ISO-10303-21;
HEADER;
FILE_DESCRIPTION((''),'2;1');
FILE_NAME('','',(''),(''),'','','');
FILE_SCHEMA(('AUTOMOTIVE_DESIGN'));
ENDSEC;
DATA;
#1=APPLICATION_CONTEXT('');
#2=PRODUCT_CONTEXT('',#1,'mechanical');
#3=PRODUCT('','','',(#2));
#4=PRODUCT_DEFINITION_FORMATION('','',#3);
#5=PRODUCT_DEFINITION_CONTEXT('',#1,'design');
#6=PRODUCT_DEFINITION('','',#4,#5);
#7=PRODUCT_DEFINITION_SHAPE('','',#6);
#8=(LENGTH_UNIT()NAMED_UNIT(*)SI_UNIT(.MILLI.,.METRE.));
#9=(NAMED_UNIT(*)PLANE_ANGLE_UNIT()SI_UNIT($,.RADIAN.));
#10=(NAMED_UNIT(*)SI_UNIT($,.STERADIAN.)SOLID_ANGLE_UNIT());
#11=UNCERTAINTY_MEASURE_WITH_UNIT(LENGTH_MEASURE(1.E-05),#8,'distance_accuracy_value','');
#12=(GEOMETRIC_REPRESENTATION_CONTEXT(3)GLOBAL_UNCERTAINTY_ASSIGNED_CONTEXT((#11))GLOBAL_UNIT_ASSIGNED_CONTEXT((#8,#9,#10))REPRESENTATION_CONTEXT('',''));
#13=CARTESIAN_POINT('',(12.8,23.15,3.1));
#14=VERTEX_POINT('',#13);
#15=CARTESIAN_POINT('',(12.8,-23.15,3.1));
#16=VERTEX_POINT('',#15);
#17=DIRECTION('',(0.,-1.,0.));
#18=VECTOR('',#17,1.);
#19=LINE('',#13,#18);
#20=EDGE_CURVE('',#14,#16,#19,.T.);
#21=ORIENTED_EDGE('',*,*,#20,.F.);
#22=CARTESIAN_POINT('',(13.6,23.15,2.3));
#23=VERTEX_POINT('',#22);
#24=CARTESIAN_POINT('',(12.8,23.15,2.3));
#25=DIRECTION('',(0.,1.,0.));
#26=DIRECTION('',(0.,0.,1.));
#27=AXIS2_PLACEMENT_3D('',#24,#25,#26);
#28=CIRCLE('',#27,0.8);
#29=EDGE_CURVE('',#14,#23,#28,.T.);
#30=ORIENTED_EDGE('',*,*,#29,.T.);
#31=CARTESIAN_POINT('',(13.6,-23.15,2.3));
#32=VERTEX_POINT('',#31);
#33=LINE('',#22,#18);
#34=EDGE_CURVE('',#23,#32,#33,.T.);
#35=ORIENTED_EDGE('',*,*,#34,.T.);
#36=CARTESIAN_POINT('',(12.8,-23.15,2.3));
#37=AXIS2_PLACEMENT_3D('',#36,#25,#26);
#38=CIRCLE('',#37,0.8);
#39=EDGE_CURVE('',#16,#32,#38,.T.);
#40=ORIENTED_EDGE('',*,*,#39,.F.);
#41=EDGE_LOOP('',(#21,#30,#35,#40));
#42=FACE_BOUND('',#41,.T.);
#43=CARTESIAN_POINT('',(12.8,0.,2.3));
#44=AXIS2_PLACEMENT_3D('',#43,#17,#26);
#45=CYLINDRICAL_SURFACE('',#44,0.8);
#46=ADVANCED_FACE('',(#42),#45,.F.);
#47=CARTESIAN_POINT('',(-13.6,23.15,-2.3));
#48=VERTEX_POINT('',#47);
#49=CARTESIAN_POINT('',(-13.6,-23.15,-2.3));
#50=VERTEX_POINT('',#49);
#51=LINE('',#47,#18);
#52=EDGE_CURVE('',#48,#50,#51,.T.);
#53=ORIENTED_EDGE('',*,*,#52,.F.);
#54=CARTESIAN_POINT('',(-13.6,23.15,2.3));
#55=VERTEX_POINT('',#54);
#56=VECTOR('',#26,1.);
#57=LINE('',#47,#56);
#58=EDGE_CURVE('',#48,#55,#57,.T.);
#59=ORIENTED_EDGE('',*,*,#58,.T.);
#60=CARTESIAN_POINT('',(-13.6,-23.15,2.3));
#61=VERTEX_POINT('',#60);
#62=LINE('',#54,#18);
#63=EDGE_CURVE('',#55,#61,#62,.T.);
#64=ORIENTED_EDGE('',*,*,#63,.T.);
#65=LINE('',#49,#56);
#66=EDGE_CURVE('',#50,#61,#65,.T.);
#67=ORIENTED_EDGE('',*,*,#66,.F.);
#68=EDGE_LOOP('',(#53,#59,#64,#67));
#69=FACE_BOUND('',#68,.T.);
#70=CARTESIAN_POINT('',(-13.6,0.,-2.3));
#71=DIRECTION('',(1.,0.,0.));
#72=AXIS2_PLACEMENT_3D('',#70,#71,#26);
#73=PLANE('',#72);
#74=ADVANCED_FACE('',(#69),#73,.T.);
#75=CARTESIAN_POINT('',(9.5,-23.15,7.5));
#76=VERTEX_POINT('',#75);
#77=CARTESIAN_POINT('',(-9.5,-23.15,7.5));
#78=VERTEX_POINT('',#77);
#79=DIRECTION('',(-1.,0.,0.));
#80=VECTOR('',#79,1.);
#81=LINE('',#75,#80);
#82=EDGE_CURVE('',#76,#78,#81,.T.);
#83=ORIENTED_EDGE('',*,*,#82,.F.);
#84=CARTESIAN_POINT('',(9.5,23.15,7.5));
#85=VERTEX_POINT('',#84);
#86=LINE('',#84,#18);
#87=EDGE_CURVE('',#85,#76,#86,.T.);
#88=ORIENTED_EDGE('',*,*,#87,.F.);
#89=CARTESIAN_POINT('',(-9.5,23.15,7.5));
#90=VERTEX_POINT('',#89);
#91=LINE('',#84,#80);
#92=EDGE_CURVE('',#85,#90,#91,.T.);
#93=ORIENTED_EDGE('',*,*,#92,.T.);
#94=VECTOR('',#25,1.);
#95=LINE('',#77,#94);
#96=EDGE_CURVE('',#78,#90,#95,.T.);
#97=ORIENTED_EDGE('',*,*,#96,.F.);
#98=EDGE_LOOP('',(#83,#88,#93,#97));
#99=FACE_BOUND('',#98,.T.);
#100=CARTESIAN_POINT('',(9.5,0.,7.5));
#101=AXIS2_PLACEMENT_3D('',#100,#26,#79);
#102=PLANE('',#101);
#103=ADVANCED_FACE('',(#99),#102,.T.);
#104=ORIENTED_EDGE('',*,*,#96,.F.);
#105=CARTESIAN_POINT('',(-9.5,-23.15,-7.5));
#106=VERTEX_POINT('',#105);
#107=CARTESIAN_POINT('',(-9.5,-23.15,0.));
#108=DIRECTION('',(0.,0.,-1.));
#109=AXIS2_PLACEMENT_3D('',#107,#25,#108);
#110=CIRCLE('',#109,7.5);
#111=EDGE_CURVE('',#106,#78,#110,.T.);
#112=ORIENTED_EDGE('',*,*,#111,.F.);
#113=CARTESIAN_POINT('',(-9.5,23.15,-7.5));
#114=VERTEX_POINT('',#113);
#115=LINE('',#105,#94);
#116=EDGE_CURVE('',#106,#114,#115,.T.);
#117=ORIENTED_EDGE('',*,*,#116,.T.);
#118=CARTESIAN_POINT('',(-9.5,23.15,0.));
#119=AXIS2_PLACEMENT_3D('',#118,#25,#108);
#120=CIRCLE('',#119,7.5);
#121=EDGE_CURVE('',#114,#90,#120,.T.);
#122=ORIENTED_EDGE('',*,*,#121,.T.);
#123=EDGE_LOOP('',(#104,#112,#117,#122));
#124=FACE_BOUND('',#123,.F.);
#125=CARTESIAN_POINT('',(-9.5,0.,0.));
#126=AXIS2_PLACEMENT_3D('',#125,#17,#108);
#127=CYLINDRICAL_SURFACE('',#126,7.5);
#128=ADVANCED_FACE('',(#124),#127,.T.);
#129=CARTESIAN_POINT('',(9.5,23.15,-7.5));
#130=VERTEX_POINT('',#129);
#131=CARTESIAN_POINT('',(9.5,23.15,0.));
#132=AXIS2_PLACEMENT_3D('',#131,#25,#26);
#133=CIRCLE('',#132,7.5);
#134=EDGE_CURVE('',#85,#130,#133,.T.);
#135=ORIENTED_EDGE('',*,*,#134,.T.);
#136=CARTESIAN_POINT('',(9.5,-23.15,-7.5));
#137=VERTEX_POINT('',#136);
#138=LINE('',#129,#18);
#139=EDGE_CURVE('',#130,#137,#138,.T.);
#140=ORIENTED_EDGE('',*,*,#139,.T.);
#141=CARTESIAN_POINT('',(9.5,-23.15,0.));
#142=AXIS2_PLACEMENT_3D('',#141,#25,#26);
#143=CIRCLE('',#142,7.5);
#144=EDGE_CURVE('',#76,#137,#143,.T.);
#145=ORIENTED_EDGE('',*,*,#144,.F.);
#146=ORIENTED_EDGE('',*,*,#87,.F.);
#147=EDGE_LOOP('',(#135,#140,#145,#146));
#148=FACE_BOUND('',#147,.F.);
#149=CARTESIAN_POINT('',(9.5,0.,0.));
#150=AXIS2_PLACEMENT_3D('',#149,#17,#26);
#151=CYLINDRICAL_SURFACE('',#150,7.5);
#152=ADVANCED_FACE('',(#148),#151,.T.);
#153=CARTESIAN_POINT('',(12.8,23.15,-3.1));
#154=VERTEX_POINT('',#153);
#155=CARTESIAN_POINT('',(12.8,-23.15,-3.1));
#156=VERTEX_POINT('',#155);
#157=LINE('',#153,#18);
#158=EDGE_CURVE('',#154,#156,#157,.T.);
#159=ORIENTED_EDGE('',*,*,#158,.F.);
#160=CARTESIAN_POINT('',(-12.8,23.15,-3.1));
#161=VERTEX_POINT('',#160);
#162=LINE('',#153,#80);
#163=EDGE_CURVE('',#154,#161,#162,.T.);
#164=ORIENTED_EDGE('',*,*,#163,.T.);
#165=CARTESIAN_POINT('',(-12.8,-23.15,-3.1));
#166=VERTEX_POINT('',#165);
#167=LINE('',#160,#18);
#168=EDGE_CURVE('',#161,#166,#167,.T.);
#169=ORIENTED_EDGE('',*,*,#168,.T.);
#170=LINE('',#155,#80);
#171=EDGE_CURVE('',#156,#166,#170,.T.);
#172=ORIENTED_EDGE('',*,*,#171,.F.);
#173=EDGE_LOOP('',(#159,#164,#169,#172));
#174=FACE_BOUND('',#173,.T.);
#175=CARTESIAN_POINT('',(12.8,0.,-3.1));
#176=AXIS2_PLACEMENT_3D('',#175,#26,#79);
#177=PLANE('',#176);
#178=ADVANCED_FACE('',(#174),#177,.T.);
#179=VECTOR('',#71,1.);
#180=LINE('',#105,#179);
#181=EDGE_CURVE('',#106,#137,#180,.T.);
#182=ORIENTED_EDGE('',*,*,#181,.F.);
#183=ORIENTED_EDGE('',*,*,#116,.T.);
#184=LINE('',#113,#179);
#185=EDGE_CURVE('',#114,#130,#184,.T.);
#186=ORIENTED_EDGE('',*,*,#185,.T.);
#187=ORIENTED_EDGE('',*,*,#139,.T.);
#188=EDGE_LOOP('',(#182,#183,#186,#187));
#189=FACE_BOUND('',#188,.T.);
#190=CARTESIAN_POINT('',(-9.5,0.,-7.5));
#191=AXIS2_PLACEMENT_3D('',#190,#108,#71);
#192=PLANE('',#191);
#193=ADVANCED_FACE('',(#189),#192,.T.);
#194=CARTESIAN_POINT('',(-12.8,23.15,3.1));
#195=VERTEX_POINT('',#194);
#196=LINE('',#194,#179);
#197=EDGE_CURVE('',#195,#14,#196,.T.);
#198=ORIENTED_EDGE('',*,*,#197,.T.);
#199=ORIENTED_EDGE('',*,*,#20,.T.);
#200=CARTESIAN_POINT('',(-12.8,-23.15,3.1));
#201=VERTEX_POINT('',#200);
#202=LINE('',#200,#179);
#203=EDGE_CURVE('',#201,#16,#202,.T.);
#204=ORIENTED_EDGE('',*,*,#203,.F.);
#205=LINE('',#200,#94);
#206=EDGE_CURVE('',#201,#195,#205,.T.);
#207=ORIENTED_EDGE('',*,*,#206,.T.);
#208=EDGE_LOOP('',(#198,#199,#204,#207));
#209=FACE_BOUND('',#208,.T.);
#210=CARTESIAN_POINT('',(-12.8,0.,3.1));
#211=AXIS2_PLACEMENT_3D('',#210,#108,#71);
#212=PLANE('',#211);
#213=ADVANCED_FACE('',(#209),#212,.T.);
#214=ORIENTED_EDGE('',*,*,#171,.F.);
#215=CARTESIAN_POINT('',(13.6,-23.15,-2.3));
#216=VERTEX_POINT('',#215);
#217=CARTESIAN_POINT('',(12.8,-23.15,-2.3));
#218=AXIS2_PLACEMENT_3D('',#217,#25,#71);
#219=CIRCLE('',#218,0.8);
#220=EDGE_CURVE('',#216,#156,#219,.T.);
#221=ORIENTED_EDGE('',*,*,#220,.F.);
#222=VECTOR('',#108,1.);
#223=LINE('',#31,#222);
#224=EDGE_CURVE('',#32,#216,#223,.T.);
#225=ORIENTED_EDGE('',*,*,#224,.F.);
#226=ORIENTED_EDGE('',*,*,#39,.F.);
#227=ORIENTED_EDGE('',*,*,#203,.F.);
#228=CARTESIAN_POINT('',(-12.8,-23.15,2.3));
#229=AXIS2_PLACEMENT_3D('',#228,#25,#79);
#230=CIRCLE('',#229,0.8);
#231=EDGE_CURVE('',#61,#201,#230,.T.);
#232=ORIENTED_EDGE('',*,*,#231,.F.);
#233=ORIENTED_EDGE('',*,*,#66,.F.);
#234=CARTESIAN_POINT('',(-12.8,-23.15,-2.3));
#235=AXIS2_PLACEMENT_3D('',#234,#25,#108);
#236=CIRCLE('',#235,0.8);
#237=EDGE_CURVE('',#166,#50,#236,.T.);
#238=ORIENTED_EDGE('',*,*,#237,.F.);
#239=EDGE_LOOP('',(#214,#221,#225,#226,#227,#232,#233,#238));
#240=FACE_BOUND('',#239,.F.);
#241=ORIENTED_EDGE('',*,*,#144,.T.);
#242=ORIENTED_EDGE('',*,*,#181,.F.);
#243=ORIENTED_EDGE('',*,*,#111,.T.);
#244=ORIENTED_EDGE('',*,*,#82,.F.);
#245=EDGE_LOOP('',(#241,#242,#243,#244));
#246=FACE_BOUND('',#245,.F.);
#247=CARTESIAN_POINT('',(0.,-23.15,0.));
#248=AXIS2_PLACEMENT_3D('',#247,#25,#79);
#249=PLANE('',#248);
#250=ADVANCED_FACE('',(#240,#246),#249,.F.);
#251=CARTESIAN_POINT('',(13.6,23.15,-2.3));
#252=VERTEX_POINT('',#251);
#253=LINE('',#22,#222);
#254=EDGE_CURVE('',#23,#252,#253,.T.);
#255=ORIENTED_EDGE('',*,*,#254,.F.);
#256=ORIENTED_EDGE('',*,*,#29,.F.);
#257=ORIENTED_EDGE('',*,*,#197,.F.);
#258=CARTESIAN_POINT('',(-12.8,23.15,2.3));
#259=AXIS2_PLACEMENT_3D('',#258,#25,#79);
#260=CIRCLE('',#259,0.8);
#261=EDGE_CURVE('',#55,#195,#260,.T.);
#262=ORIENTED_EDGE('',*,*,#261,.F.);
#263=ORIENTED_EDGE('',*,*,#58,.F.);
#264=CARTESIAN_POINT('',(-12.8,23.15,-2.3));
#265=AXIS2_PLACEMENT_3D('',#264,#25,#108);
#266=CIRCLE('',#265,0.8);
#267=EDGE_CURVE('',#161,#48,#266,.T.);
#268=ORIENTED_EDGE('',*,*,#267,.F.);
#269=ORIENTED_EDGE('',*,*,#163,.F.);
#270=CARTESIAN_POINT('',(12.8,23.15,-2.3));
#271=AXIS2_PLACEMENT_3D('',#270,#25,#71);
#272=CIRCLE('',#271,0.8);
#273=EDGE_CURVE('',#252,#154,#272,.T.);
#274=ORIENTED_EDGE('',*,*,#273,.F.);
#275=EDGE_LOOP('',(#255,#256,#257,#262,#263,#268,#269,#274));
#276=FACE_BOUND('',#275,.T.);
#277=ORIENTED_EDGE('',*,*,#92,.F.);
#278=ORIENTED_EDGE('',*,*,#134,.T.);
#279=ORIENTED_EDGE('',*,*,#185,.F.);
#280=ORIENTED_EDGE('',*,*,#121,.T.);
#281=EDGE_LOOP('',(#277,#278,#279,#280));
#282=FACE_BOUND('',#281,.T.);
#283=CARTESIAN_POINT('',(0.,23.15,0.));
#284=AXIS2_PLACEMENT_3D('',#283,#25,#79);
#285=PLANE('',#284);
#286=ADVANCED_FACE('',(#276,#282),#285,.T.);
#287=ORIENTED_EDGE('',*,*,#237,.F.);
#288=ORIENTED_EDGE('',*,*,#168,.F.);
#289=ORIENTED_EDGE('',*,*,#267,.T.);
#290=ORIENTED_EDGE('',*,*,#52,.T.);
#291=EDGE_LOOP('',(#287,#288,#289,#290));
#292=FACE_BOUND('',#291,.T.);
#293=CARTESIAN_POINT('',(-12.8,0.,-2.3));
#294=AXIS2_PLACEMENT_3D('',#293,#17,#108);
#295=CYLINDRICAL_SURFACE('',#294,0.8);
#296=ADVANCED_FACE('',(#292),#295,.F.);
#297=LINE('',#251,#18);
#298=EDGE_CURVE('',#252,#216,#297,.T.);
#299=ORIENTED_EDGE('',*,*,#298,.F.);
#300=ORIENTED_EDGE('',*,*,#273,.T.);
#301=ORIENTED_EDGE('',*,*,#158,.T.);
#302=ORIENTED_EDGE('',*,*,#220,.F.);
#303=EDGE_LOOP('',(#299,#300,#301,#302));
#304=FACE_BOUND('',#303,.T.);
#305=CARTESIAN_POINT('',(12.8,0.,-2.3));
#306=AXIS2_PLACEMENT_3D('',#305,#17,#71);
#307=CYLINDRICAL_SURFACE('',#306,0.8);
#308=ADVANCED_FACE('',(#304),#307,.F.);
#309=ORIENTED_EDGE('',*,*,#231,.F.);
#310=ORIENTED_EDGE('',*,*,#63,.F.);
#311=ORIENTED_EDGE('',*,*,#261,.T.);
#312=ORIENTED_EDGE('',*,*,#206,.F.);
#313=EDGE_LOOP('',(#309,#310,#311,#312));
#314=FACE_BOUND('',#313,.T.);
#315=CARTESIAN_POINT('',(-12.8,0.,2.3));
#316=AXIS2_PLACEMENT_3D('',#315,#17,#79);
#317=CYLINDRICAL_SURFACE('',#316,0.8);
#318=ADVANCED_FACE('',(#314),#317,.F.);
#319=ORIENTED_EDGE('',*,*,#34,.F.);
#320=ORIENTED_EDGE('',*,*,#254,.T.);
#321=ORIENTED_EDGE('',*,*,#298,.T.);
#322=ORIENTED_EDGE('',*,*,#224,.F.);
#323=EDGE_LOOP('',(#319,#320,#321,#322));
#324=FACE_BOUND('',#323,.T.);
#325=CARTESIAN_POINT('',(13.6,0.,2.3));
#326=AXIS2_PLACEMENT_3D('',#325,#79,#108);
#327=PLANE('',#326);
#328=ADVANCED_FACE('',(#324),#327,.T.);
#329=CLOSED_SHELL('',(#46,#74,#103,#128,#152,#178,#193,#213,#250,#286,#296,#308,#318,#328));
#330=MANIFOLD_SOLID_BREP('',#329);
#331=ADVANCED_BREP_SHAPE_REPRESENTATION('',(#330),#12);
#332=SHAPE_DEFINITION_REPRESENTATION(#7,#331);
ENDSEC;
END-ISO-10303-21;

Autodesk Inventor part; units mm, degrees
ref_plane "YZ Plane" through (0, 0, 0) normal (1, 0, 0) x (0, 1, 0)
ref_plane "XZ Plane" through (0, 0, 0) normal (0, 1, 0) x (-1, 0, 0)
ref_plane "XY Plane" through (0, 0, 0) normal (0, 0, 1) x (1, 0, 0)
sketch "Skizze1" plane through (0, 0, 0) normal (0, 1, 0) x (-1, 0, 0)
  line L0 (12.8, 3.1) -> (-12.8, 3.1)
  line L1 (-13.6, 2.3) -> (-13.6, -2.3)
  line L2 (-12.8, -3.1) -> (12.8, -3.1)
  line L3 (13.6, -2.3) -> (13.6, 2.3)
  line L4 (13.6, 3.1) -> (-13.6, -3.1) construction
  line L5 (-13.6, 3.1) -> (13.6, -3.1) construction
  arc A0 (13.6, 2.3) -> (12.8, 3.1) centre (12.8, 2.3) ccw
  arc A1 (12.8, -3.1) -> (13.6, -2.3) centre (12.8, -2.3) ccw
  arc A2 (-13.6, -2.3) -> (-12.8, -3.1) centre (-12.8, -2.3) ccw
  arc A3 (-12.8, 3.1) -> (-13.6, 2.3) centre (-12.8, 2.3) ccw
  line L6 (9.5, 0) -> (-9.5, 0) construction
  line L7 (9.5, -7.5) -> (-9.5, -7.5)
  line L8 (-9.5, 7.5) -> (9.5, 7.5)
  arc A4 (9.5, -7.5) -> (9.5, 7.5) centre (9.5, 0) ccw
  arc A5 (-9.5, 7.5) -> (-9.5, -7.5) centre (-9.5, 0) ccw
  point P0 (0, 0)
  dimension "d0" = 27.2
  dimension "d1" = 6.2
  dimension "d2" = 0.8
  dimension "d6" = 4.4
  dimension "d7" = 34
extrude "Extrusion1" add sketch "Skizze1" along normal mid plane 46.3
properties part number "Kupferspule" material "Kupfer"
